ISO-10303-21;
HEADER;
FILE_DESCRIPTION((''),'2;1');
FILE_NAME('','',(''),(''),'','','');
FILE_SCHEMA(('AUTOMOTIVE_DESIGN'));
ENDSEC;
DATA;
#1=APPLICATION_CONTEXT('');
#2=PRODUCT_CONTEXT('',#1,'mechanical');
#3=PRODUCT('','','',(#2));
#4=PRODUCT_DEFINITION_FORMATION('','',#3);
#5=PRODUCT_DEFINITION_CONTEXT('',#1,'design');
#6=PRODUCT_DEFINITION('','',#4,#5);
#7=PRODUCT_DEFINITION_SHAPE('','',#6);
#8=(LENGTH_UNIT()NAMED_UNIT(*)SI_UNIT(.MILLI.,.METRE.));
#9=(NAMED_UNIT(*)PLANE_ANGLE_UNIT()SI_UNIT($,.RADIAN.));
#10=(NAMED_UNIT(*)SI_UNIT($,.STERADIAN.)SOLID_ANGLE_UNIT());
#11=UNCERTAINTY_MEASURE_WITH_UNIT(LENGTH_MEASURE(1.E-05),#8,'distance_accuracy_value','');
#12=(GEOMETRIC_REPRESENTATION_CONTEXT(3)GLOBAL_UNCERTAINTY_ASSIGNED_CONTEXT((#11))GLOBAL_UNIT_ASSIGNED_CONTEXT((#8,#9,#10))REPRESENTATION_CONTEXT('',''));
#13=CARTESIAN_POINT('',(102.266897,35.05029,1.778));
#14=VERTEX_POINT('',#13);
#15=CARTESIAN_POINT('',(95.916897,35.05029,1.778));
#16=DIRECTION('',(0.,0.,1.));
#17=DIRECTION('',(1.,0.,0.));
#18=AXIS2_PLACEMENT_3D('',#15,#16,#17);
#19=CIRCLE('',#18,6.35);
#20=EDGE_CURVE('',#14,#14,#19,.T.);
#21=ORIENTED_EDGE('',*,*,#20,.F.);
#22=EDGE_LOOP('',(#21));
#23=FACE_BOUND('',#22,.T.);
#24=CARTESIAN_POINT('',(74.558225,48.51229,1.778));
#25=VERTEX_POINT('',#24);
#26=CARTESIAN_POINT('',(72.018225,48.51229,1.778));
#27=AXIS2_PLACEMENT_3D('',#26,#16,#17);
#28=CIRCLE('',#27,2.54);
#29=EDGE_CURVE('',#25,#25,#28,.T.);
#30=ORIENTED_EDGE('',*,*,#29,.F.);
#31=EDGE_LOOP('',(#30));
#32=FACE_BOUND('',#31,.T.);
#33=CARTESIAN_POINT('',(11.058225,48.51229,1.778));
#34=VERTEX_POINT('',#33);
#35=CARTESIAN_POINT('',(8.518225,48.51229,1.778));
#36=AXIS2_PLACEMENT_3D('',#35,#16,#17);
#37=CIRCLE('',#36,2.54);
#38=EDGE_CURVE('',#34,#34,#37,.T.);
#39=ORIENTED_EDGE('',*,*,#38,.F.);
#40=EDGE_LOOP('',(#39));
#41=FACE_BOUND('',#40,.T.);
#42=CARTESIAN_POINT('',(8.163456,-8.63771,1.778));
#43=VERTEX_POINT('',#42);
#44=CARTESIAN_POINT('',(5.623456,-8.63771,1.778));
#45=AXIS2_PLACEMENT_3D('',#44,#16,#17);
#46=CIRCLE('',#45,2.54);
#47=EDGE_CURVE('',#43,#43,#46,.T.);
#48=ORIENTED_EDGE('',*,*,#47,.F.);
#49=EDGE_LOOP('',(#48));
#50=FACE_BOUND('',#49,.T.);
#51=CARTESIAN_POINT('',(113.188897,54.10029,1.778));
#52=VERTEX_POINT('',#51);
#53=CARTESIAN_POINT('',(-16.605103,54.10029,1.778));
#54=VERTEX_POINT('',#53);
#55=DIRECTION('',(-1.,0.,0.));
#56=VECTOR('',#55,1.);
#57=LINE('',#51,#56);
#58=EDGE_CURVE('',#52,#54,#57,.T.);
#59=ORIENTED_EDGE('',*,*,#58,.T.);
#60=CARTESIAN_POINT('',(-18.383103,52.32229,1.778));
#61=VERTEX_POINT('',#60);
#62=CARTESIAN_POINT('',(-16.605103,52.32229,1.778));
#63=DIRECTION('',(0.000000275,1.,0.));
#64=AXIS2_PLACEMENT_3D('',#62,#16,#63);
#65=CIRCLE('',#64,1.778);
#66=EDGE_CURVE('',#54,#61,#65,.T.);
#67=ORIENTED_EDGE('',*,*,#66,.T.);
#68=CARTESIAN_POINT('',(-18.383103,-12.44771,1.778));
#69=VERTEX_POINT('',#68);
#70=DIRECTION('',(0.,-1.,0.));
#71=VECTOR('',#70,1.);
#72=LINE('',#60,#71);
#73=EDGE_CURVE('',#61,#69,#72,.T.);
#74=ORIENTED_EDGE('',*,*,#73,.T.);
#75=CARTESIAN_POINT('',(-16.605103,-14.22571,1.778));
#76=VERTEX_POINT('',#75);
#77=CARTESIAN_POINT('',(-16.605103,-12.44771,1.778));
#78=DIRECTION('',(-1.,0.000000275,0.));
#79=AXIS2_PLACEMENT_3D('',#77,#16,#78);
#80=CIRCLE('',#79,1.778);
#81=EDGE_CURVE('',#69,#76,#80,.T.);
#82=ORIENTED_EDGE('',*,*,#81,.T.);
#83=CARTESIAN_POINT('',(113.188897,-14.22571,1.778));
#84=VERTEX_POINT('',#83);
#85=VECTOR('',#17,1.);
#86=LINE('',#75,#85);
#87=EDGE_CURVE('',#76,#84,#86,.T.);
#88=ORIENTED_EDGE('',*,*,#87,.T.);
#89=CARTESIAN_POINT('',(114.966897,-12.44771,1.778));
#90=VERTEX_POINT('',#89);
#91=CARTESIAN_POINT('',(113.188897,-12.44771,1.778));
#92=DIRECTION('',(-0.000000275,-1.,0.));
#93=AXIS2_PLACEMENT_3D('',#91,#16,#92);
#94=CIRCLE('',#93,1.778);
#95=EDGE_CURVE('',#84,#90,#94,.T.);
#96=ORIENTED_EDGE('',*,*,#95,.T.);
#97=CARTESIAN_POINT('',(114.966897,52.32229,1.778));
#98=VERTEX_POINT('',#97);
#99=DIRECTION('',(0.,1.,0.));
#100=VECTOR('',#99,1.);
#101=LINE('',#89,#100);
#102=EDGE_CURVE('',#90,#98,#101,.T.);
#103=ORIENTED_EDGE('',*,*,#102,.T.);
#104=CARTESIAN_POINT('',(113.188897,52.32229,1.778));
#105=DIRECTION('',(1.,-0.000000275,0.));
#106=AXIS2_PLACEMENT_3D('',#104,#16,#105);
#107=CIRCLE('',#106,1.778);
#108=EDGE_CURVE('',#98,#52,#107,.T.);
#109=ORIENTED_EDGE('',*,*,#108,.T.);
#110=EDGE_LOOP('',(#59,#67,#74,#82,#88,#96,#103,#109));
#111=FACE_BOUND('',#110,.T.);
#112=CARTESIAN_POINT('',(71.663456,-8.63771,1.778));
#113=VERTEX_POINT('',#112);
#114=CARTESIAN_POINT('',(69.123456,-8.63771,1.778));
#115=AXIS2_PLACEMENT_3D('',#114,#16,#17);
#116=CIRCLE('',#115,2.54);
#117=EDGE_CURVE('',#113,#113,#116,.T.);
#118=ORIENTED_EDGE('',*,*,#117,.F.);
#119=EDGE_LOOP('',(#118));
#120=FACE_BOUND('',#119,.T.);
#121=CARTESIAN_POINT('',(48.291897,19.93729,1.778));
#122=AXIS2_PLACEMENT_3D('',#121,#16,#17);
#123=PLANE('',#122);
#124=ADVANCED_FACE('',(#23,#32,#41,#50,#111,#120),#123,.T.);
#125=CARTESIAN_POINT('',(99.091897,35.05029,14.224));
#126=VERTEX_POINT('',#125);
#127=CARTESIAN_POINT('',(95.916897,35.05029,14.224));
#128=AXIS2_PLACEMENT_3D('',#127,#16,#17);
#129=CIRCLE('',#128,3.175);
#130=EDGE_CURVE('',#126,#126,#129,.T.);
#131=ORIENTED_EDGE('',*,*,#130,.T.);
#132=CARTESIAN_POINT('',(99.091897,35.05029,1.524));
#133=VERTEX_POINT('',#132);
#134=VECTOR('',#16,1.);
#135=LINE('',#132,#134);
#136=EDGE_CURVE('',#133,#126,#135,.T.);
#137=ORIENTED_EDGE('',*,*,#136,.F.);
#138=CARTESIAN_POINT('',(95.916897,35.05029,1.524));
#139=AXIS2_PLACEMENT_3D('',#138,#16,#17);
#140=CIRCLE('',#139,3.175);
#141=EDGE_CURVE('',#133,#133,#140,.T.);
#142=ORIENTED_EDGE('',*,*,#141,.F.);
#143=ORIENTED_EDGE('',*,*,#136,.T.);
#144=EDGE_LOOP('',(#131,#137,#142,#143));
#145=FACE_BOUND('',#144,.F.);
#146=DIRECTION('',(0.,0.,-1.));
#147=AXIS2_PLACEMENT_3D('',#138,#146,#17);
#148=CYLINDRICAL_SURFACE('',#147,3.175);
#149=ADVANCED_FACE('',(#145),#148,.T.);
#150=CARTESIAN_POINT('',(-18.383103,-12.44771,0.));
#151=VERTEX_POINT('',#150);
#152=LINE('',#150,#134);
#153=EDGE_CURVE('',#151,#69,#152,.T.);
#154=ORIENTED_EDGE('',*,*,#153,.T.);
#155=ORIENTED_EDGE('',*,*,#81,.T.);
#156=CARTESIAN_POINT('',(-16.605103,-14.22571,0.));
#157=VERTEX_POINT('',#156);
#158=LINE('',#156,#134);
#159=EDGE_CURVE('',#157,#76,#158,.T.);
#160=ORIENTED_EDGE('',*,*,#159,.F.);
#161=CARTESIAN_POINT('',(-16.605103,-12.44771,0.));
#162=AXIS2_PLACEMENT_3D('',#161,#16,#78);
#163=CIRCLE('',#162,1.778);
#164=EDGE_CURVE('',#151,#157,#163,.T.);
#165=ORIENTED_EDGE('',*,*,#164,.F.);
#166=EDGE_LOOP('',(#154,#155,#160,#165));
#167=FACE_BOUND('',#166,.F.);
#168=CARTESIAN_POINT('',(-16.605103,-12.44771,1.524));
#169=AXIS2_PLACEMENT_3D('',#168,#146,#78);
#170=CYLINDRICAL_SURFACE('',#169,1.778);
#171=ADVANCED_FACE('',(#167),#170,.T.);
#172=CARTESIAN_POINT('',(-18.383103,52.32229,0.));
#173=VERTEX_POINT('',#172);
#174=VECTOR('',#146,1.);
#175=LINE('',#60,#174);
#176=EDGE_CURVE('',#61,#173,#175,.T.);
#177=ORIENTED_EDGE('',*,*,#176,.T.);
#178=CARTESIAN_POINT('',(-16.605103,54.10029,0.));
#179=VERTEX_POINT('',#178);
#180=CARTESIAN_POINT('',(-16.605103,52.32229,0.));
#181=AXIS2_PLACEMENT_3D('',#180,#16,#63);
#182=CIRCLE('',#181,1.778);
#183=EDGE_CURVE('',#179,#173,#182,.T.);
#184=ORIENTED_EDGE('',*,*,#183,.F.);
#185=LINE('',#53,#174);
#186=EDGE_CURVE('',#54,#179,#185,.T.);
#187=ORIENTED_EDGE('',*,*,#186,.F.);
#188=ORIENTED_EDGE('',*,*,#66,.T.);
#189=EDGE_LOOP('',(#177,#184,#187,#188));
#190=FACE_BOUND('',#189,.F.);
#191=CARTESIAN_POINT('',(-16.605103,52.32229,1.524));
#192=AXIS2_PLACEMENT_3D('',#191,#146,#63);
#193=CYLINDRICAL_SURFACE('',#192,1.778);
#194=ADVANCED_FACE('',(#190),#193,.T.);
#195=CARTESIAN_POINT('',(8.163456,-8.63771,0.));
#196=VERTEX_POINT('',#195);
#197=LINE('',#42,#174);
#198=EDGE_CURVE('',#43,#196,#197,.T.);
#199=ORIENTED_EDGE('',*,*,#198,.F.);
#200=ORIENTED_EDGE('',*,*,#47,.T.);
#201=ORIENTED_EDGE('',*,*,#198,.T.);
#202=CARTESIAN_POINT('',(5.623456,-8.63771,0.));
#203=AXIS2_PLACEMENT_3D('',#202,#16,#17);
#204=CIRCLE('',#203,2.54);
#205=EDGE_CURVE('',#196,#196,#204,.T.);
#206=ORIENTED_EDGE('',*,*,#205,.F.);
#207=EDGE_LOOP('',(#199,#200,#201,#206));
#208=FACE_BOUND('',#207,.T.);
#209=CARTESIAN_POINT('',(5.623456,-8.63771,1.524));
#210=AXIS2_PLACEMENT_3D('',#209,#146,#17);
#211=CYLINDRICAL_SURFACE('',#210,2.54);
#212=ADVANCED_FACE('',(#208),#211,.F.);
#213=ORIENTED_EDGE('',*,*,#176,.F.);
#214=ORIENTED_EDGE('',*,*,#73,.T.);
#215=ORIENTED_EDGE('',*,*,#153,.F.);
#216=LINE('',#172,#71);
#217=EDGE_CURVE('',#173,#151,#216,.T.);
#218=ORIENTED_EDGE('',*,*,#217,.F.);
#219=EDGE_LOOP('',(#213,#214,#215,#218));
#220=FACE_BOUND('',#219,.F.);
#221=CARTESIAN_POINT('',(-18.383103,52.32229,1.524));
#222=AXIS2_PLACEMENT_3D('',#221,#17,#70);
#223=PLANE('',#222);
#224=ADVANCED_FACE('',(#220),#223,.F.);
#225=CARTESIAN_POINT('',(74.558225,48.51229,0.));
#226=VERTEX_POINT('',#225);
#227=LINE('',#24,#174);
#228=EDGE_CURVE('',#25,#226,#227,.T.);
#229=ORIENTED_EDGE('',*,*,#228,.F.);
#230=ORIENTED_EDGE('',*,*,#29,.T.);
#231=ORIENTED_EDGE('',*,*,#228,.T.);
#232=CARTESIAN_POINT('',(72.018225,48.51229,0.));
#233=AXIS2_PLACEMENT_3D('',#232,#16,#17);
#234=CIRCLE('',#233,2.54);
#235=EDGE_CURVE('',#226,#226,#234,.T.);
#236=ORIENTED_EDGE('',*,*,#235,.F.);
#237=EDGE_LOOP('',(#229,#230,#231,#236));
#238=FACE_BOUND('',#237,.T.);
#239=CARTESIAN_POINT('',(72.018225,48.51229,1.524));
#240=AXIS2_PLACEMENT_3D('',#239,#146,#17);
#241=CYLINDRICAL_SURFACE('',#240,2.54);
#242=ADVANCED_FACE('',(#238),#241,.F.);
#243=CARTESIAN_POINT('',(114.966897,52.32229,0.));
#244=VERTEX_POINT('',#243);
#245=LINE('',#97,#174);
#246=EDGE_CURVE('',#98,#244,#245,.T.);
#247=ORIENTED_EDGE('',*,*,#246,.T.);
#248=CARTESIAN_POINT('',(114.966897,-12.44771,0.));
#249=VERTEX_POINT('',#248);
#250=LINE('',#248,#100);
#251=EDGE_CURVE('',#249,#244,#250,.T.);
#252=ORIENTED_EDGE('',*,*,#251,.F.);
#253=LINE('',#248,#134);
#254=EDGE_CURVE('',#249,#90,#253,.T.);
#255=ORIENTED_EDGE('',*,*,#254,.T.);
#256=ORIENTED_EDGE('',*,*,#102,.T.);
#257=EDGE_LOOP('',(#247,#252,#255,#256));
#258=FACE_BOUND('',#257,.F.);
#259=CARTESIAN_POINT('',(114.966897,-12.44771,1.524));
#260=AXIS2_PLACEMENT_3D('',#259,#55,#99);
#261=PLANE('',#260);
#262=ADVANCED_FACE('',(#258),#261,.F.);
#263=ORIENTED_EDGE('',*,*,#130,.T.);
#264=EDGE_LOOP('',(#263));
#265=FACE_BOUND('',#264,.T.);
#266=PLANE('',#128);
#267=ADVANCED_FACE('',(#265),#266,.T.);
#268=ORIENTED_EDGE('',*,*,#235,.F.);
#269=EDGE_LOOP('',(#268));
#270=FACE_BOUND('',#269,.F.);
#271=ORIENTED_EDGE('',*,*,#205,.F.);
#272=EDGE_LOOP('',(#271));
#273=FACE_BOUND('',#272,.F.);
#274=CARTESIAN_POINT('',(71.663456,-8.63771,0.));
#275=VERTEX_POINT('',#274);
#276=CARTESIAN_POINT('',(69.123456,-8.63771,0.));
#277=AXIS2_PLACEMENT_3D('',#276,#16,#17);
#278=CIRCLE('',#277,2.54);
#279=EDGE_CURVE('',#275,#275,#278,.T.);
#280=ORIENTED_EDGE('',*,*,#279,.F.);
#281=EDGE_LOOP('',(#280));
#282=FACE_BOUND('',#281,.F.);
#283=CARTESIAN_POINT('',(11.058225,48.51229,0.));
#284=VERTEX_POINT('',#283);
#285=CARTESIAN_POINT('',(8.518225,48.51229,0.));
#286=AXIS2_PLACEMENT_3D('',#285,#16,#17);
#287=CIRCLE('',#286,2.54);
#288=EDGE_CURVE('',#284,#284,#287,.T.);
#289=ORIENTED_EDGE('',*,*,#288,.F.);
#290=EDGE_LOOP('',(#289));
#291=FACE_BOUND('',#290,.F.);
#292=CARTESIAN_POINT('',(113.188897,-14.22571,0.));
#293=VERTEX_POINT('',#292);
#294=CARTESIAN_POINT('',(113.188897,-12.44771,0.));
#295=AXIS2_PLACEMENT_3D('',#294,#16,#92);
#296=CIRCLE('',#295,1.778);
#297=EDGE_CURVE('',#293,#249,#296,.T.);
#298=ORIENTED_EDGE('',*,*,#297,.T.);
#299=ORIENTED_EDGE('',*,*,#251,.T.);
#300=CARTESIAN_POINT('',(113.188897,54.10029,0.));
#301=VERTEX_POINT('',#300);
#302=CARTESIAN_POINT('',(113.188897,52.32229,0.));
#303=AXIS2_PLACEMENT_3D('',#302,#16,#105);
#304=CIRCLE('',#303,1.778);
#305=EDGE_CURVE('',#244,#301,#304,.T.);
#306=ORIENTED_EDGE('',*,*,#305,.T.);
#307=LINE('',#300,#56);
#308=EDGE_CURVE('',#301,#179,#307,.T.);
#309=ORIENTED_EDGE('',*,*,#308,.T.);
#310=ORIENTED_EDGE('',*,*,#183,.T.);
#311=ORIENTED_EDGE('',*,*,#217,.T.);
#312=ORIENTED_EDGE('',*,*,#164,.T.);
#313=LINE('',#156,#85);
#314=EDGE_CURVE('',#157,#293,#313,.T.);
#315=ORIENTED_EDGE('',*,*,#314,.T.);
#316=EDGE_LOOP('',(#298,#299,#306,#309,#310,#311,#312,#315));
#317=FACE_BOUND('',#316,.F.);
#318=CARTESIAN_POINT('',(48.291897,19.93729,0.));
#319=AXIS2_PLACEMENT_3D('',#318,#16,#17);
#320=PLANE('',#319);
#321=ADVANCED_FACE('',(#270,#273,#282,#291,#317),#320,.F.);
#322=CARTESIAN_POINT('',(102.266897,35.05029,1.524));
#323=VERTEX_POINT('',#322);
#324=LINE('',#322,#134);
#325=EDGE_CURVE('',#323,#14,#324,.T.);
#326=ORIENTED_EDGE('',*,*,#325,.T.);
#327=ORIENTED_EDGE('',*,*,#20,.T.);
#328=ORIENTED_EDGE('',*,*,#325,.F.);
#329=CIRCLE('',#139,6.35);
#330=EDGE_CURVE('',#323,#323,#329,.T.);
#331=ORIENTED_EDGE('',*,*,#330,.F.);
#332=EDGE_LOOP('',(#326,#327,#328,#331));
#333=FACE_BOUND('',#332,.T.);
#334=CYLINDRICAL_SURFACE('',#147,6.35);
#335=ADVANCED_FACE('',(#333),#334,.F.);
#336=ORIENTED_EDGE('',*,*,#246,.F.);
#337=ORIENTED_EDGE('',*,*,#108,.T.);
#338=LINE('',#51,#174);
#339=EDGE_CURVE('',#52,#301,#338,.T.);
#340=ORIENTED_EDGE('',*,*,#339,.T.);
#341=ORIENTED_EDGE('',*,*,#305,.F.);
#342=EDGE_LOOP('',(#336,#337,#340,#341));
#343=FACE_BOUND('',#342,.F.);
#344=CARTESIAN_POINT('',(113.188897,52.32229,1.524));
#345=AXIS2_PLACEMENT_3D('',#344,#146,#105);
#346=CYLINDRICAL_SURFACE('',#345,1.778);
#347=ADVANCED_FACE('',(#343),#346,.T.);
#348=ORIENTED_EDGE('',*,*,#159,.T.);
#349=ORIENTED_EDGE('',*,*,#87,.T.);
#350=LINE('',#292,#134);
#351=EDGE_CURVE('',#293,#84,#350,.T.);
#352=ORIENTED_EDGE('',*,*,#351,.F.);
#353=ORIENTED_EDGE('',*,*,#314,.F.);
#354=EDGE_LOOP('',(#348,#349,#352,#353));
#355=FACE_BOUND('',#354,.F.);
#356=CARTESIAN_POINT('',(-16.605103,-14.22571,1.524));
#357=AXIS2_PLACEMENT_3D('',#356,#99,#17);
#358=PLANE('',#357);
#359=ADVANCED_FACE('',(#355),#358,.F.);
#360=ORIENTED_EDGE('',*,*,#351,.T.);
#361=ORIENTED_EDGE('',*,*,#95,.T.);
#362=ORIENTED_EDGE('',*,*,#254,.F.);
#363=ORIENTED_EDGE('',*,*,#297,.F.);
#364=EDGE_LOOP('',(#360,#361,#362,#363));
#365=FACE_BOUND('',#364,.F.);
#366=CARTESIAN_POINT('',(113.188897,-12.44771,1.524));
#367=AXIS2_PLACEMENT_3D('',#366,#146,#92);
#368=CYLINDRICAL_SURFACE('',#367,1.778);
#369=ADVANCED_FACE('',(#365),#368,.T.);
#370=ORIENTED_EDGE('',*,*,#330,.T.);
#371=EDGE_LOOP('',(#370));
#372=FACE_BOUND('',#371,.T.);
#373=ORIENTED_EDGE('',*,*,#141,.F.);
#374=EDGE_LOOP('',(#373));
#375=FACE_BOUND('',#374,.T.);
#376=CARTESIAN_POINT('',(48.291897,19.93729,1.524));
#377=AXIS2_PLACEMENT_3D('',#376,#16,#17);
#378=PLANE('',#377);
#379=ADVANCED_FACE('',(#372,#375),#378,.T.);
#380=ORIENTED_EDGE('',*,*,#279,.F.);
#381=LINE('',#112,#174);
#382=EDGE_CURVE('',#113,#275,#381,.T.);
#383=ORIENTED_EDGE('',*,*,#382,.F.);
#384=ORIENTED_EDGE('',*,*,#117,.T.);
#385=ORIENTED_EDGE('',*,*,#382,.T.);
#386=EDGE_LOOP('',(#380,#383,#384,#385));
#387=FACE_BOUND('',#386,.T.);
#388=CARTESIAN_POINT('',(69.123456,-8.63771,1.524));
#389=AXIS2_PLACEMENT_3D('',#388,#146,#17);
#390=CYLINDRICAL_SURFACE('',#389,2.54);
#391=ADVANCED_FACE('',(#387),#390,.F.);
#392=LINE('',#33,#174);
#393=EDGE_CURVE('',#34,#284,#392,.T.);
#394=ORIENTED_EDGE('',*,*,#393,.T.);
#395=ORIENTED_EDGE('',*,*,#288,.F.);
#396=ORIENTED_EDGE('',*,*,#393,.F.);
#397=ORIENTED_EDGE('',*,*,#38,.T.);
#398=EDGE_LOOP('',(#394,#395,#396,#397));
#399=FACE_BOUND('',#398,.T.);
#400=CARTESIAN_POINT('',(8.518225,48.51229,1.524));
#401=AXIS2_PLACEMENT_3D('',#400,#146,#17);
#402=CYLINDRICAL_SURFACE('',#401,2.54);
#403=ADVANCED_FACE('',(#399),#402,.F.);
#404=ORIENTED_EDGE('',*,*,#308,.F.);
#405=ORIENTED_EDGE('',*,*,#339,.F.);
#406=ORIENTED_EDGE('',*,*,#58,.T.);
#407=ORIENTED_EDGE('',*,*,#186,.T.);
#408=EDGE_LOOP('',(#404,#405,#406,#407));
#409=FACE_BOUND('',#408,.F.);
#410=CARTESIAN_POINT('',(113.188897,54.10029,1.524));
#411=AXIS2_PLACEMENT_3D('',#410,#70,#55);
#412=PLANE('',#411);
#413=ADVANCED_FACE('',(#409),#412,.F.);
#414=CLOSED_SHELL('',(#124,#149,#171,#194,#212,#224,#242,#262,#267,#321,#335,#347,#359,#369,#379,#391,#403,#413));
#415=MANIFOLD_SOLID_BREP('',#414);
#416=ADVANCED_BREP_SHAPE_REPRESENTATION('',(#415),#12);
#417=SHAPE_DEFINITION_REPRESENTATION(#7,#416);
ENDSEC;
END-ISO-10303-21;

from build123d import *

# Parameters (mm, degrees)
F0_R     = 2.54
F1_DEPTH = 1.524
F2_R     = 2.54
F2_R_2   = 6.35
F3_DEPTH = 0.254
F4_R     = 3.175
F5_DEPTH = 12.7


with BuildPart() as f1:
    # F0 (on Top) → F1 (new body)
    with BuildSketch(Plane.XY):
        with BuildLine():
            ThreePointArc((-18.383103, -12.44771), (-17.862339, -13.704946), (-16.605103, -14.22571))
            Line((-16.605103, -14.22571), (113.188897, -14.22571))
            ThreePointArc((113.188897, -14.22571), (114.446133, -13.704946), (114.966897, -12.44771))
            Line((114.966897, -12.44771), (114.966897, 52.32229))
            ThreePointArc((114.966897, 52.32229), (114.446133, 53.579526), (113.188897, 54.10029))
            Line((113.188897, 54.10029), (-16.605103, 54.10029))
            ThreePointArc((-16.605103, 54.10029), (-17.862339, 53.579526), (-18.383103, 52.32229))
            Line((-18.383103, 52.32229), (-18.383103, -12.44771))
        make_face()
        with Locations((5.623456, -8.63771)):
            Circle(F0_R, mode=Mode.SUBTRACT)
        with Locations((69.123456, -8.63771)):
            Circle(F0_R, mode=Mode.SUBTRACT)
        with Locations((8.518225, 48.51229)):
            Circle(F0_R, mode=Mode.SUBTRACT)
        with Locations((72.018225, 48.51229)):
            Circle(F0_R, mode=Mode.SUBTRACT)
    extrude(amount=F1_DEPTH)

    # F2 (on face) → F3 (join)
    with BuildSketch(Plane.XY.offset(1.524)):
        with BuildLine():
            Line((-18.383103, 52.32229), (-18.383103, -12.44771))
            ThreePointArc((-18.383103, -12.44771), (-17.862339, -13.704946), (-16.605103, -14.22571))
            Line((-16.605103, -14.22571), (113.188897, -14.22571))
            ThreePointArc((113.188897, -14.22571), (114.446133, -13.704946), (114.966897, -12.44771))
            Line((114.966897, -12.44771), (114.966897, 52.32229))
            ThreePointArc((114.966897, 52.32229), (114.446133, 53.579526), (113.188897, 54.10029))
            Line((113.188897, 54.10029), (-16.605103, 54.10029))
            ThreePointArc((-16.605103, 54.10029), (-17.862339, 53.579526), (-18.383103, 52.32229))
        make_face()
        with Locations((5.623456, -8.63771)):
            Circle(F2_R, mode=Mode.SUBTRACT)
        with Locations((69.123456, -8.63771)):
            Circle(F2_R, mode=Mode.SUBTRACT)
        with Locations((8.518225, 48.51229)):
            Circle(F2_R, mode=Mode.SUBTRACT)
        with Locations((95.916897, 35.05029)):
            Circle(F2_R_2, mode=Mode.SUBTRACT)
        with Locations((72.018225, 48.51229)):
            Circle(F2_R, mode=Mode.SUBTRACT)
    extrude(amount=F3_DEPTH)

    # F4 (on face) → F5 (join)
    with BuildSketch(Plane.XY.offset(1.524)):
        with Locations((95.916897, 35.05029)):
            Circle(F4_R)
    extrude(amount=F5_DEPTH)


solid = f1.part
